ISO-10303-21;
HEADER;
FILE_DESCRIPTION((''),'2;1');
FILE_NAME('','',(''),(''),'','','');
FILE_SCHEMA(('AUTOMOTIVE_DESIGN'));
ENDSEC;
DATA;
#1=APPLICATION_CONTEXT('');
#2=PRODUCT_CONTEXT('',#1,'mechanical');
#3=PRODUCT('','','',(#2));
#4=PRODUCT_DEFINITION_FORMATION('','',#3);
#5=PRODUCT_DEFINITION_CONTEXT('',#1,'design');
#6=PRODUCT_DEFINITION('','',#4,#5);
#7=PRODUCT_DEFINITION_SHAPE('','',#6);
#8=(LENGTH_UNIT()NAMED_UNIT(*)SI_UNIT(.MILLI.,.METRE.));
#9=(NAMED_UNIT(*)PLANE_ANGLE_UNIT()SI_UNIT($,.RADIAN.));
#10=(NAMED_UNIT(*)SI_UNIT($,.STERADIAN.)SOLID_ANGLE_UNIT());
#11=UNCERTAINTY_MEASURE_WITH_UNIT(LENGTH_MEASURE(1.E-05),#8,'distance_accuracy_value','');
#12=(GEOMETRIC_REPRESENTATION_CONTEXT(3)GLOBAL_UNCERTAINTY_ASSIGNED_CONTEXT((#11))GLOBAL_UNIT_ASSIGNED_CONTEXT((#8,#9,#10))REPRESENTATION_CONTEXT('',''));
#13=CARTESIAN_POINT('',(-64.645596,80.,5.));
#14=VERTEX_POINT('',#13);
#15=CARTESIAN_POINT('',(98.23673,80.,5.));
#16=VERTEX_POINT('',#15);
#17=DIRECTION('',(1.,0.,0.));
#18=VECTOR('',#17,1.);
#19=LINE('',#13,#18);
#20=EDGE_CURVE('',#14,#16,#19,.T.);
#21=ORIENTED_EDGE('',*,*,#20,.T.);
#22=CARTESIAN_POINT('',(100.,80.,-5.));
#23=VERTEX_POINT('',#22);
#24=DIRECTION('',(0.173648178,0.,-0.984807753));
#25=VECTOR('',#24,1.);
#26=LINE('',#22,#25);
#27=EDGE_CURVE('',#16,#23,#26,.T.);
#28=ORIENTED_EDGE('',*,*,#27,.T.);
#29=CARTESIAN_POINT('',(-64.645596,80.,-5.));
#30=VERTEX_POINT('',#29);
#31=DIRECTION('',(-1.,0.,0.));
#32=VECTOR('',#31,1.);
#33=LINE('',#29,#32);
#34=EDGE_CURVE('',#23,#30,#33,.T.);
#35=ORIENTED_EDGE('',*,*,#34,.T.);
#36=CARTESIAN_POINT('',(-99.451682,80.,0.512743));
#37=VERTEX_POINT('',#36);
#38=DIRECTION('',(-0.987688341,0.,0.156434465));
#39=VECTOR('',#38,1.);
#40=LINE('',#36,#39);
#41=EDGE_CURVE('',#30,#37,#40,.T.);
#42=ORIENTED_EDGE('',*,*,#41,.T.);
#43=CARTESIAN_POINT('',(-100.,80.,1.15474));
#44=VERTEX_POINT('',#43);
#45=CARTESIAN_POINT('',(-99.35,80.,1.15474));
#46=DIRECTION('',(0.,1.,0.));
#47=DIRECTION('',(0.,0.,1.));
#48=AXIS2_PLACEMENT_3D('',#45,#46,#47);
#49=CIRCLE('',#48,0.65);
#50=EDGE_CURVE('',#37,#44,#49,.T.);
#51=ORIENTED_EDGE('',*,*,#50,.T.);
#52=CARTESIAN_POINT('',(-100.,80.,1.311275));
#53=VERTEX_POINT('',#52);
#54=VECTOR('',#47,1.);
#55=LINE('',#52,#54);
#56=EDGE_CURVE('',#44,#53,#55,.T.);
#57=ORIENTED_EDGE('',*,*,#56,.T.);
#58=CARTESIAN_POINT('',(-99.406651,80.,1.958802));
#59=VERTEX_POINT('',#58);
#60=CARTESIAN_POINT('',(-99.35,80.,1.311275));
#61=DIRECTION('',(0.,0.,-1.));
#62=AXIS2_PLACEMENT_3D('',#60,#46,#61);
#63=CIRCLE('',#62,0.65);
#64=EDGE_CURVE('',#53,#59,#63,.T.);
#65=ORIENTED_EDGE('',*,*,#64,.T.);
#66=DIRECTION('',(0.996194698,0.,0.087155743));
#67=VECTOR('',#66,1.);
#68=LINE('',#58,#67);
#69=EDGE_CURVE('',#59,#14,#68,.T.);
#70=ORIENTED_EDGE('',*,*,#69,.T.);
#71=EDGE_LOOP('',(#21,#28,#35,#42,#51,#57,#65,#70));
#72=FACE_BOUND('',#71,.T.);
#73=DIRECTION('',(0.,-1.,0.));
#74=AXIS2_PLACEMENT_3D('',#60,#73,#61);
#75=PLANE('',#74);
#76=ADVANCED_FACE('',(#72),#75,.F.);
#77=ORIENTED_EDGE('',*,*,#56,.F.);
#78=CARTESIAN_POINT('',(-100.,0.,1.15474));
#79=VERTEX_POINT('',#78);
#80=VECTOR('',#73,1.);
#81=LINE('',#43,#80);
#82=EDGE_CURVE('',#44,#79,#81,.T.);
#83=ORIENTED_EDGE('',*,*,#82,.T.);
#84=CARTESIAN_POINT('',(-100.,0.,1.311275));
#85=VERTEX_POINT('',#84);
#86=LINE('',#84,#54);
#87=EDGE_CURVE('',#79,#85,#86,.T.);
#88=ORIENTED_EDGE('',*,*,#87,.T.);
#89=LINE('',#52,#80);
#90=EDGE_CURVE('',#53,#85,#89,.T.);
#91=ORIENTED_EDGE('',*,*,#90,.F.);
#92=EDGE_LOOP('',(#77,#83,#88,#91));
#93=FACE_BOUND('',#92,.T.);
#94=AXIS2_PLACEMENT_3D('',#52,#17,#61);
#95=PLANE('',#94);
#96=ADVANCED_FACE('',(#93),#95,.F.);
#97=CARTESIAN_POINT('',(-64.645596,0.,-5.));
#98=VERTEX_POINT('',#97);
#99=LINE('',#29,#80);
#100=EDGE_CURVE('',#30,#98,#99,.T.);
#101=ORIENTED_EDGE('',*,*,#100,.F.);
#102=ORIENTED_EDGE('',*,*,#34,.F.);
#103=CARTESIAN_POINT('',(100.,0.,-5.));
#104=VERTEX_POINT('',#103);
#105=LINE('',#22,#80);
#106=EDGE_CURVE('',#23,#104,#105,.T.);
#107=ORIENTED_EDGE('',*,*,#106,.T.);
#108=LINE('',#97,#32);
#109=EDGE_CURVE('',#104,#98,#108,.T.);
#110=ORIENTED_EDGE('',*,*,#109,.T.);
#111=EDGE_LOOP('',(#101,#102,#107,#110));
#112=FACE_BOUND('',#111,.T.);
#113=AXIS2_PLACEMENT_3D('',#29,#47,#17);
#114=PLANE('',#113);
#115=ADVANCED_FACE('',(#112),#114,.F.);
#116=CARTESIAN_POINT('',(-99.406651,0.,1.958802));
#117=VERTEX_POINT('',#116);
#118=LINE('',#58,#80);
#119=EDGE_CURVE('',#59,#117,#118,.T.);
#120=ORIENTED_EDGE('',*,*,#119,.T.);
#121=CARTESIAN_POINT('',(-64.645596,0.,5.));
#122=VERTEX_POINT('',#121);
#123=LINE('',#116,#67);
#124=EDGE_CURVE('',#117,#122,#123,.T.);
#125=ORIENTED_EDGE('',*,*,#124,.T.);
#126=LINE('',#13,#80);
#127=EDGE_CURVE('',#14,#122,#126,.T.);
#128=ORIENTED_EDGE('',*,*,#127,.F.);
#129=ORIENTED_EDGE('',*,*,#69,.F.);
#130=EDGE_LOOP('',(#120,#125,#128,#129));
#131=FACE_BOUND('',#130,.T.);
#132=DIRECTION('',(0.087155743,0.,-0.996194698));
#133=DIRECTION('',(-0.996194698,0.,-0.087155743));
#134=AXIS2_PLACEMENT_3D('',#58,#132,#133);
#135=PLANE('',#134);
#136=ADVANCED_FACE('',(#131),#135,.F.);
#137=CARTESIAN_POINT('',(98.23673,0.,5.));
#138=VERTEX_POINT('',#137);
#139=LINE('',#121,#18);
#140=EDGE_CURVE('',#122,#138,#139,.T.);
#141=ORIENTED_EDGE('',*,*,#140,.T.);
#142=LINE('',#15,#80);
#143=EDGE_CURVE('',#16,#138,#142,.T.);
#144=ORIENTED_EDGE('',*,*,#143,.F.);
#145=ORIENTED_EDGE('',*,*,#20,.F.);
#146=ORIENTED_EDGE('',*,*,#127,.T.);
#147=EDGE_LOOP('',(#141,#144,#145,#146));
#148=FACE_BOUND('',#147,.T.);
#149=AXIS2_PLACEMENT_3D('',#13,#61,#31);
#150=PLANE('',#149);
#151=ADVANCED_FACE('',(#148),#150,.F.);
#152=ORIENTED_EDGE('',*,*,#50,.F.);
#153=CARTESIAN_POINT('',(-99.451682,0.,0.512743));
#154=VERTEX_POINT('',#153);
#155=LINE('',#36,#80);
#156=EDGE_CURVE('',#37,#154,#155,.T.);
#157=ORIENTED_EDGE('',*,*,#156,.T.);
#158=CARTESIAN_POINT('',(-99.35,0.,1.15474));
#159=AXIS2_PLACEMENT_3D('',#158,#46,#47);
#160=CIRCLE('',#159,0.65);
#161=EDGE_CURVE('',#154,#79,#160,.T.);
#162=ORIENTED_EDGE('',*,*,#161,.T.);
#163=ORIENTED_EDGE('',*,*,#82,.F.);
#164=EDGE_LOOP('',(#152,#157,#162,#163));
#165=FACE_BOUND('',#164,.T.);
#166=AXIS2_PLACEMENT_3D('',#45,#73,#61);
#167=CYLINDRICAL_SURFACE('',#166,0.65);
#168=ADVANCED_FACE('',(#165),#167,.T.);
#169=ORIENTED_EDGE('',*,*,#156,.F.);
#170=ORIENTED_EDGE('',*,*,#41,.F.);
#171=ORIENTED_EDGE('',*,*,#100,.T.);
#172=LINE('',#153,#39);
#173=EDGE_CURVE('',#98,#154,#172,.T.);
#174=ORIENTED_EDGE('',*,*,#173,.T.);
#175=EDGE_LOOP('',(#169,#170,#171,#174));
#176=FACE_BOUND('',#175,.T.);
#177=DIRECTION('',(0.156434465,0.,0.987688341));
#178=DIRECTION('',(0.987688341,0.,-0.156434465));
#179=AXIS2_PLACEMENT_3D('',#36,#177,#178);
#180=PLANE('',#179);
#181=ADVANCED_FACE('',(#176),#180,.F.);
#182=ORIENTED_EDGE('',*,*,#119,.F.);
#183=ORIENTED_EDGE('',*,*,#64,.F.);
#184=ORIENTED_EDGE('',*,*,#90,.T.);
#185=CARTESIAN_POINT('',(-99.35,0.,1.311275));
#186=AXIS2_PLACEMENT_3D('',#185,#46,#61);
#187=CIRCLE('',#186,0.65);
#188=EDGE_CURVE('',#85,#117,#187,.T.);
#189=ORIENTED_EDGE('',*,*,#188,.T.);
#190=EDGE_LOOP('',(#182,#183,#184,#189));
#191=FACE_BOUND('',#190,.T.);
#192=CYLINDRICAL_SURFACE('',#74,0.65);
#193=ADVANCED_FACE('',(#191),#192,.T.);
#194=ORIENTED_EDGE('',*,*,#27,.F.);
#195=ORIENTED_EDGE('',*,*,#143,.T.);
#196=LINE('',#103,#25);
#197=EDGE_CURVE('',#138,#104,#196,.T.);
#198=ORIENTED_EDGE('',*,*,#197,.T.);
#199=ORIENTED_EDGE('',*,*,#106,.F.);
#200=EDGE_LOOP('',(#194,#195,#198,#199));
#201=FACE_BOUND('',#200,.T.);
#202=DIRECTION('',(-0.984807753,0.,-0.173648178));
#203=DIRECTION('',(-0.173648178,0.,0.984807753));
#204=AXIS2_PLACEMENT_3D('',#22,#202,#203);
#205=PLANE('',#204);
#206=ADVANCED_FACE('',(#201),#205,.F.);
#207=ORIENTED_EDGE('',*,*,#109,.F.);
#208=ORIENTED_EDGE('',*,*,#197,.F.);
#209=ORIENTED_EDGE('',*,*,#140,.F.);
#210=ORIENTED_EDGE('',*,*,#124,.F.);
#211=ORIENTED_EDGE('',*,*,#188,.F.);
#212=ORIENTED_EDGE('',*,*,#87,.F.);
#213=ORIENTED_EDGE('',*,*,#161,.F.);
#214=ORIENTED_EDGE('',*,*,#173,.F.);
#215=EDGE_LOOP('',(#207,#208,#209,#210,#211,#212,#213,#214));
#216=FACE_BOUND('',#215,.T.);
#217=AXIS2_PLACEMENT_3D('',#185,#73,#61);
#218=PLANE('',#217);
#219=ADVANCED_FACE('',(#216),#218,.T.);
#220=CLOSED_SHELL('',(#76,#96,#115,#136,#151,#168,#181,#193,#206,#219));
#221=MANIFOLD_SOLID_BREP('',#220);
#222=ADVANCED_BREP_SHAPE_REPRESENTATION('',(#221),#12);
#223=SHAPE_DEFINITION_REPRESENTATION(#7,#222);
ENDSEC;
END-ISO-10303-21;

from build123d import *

# Parameters (mm, degrees)
BOSS_EXTRUDE1_DEPTH = 80


with BuildPart() as part:
    # Sketch1 → Boss-Extrude1 (new body)
    with BuildSketch(Plane(origin=(0, 0, 0), x_dir=(1, 0, 0), z_dir=(0, 1, 0))):
        with BuildLine():
            Line((100, 5), (98.236730193, -5))
            Line((98.236730193, -5), (-64.645595971, -5))
            Line((-64.645595971, -5), (-99.406651233, -1.958801732))
            ThreePointArc((-99.406651233, -1.958801732), (-99.829230269, -1.750408814), (-100, -1.311275179))
            Line((-100, -1.311275179), (-100, -1.154739941))
            ThreePointArc((-100, -1.154739941), (-99.844263878, -0.732598709), (-99.451682402, -0.512742519))
            Line((-99.451682402, -0.512742519), (-64.645595971, 5))
            Line((-64.645595971, 5), (100, 5))
        make_face()
    extrude(amount=BOSS_EXTRUDE1_DEPTH)


solid = part.part
